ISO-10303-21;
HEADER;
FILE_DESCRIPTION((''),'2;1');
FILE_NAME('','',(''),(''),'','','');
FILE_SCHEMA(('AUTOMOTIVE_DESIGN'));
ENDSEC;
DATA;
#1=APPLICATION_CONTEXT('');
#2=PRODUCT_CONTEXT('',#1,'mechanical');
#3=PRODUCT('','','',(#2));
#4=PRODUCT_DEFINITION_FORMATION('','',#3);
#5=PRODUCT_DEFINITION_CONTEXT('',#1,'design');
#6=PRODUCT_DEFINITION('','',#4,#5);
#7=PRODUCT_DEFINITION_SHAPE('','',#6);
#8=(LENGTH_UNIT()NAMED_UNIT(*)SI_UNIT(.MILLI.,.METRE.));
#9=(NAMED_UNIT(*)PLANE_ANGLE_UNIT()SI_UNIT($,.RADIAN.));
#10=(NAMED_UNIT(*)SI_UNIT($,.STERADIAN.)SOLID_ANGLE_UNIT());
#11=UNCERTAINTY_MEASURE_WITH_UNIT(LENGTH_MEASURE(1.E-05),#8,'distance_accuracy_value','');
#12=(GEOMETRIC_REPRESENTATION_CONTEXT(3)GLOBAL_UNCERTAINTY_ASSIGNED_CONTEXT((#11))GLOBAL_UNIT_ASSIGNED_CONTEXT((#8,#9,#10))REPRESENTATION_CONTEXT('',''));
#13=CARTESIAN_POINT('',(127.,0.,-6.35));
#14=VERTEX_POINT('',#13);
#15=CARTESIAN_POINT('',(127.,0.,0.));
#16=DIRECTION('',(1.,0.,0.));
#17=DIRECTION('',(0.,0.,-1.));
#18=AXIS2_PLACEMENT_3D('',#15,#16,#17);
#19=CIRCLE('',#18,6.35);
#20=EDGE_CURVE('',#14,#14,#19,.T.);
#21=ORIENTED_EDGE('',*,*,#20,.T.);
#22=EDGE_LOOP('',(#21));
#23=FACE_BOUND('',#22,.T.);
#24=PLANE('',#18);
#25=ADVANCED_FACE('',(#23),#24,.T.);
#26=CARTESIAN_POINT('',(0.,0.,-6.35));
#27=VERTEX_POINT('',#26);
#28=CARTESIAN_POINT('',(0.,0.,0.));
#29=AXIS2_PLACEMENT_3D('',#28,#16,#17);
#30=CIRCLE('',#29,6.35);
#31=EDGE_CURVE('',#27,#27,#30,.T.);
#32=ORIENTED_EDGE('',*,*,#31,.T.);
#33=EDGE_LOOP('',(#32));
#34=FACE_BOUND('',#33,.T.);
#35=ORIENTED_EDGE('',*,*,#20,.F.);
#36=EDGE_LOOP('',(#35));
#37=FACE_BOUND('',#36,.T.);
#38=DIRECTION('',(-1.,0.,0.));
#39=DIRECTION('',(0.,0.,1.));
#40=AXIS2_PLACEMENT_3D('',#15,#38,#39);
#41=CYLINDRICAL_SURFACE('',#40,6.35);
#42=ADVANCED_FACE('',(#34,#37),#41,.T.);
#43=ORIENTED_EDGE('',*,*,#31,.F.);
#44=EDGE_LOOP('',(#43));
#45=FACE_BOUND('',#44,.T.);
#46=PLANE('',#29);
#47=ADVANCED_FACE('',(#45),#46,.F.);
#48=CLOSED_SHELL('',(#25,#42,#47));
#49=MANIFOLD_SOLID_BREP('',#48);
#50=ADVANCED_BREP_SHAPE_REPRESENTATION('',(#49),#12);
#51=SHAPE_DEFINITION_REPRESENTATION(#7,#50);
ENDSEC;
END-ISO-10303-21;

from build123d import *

# Parameters (mm, degrees)
SKETCH2_R           = 6.35
BOSS_EXTRUDE1_DEPTH = 127


with BuildPart() as part:
    # Sketch2 → Boss-Extrude1 (new body)
    with BuildSketch(Plane(origin=(0, 0, 0), x_dir=(0, 0, -1), z_dir=(1, 0, 0))):
        Circle(SKETCH2_R)
    extrude(amount=BOSS_EXTRUDE1_DEPTH)


solid = part.part
